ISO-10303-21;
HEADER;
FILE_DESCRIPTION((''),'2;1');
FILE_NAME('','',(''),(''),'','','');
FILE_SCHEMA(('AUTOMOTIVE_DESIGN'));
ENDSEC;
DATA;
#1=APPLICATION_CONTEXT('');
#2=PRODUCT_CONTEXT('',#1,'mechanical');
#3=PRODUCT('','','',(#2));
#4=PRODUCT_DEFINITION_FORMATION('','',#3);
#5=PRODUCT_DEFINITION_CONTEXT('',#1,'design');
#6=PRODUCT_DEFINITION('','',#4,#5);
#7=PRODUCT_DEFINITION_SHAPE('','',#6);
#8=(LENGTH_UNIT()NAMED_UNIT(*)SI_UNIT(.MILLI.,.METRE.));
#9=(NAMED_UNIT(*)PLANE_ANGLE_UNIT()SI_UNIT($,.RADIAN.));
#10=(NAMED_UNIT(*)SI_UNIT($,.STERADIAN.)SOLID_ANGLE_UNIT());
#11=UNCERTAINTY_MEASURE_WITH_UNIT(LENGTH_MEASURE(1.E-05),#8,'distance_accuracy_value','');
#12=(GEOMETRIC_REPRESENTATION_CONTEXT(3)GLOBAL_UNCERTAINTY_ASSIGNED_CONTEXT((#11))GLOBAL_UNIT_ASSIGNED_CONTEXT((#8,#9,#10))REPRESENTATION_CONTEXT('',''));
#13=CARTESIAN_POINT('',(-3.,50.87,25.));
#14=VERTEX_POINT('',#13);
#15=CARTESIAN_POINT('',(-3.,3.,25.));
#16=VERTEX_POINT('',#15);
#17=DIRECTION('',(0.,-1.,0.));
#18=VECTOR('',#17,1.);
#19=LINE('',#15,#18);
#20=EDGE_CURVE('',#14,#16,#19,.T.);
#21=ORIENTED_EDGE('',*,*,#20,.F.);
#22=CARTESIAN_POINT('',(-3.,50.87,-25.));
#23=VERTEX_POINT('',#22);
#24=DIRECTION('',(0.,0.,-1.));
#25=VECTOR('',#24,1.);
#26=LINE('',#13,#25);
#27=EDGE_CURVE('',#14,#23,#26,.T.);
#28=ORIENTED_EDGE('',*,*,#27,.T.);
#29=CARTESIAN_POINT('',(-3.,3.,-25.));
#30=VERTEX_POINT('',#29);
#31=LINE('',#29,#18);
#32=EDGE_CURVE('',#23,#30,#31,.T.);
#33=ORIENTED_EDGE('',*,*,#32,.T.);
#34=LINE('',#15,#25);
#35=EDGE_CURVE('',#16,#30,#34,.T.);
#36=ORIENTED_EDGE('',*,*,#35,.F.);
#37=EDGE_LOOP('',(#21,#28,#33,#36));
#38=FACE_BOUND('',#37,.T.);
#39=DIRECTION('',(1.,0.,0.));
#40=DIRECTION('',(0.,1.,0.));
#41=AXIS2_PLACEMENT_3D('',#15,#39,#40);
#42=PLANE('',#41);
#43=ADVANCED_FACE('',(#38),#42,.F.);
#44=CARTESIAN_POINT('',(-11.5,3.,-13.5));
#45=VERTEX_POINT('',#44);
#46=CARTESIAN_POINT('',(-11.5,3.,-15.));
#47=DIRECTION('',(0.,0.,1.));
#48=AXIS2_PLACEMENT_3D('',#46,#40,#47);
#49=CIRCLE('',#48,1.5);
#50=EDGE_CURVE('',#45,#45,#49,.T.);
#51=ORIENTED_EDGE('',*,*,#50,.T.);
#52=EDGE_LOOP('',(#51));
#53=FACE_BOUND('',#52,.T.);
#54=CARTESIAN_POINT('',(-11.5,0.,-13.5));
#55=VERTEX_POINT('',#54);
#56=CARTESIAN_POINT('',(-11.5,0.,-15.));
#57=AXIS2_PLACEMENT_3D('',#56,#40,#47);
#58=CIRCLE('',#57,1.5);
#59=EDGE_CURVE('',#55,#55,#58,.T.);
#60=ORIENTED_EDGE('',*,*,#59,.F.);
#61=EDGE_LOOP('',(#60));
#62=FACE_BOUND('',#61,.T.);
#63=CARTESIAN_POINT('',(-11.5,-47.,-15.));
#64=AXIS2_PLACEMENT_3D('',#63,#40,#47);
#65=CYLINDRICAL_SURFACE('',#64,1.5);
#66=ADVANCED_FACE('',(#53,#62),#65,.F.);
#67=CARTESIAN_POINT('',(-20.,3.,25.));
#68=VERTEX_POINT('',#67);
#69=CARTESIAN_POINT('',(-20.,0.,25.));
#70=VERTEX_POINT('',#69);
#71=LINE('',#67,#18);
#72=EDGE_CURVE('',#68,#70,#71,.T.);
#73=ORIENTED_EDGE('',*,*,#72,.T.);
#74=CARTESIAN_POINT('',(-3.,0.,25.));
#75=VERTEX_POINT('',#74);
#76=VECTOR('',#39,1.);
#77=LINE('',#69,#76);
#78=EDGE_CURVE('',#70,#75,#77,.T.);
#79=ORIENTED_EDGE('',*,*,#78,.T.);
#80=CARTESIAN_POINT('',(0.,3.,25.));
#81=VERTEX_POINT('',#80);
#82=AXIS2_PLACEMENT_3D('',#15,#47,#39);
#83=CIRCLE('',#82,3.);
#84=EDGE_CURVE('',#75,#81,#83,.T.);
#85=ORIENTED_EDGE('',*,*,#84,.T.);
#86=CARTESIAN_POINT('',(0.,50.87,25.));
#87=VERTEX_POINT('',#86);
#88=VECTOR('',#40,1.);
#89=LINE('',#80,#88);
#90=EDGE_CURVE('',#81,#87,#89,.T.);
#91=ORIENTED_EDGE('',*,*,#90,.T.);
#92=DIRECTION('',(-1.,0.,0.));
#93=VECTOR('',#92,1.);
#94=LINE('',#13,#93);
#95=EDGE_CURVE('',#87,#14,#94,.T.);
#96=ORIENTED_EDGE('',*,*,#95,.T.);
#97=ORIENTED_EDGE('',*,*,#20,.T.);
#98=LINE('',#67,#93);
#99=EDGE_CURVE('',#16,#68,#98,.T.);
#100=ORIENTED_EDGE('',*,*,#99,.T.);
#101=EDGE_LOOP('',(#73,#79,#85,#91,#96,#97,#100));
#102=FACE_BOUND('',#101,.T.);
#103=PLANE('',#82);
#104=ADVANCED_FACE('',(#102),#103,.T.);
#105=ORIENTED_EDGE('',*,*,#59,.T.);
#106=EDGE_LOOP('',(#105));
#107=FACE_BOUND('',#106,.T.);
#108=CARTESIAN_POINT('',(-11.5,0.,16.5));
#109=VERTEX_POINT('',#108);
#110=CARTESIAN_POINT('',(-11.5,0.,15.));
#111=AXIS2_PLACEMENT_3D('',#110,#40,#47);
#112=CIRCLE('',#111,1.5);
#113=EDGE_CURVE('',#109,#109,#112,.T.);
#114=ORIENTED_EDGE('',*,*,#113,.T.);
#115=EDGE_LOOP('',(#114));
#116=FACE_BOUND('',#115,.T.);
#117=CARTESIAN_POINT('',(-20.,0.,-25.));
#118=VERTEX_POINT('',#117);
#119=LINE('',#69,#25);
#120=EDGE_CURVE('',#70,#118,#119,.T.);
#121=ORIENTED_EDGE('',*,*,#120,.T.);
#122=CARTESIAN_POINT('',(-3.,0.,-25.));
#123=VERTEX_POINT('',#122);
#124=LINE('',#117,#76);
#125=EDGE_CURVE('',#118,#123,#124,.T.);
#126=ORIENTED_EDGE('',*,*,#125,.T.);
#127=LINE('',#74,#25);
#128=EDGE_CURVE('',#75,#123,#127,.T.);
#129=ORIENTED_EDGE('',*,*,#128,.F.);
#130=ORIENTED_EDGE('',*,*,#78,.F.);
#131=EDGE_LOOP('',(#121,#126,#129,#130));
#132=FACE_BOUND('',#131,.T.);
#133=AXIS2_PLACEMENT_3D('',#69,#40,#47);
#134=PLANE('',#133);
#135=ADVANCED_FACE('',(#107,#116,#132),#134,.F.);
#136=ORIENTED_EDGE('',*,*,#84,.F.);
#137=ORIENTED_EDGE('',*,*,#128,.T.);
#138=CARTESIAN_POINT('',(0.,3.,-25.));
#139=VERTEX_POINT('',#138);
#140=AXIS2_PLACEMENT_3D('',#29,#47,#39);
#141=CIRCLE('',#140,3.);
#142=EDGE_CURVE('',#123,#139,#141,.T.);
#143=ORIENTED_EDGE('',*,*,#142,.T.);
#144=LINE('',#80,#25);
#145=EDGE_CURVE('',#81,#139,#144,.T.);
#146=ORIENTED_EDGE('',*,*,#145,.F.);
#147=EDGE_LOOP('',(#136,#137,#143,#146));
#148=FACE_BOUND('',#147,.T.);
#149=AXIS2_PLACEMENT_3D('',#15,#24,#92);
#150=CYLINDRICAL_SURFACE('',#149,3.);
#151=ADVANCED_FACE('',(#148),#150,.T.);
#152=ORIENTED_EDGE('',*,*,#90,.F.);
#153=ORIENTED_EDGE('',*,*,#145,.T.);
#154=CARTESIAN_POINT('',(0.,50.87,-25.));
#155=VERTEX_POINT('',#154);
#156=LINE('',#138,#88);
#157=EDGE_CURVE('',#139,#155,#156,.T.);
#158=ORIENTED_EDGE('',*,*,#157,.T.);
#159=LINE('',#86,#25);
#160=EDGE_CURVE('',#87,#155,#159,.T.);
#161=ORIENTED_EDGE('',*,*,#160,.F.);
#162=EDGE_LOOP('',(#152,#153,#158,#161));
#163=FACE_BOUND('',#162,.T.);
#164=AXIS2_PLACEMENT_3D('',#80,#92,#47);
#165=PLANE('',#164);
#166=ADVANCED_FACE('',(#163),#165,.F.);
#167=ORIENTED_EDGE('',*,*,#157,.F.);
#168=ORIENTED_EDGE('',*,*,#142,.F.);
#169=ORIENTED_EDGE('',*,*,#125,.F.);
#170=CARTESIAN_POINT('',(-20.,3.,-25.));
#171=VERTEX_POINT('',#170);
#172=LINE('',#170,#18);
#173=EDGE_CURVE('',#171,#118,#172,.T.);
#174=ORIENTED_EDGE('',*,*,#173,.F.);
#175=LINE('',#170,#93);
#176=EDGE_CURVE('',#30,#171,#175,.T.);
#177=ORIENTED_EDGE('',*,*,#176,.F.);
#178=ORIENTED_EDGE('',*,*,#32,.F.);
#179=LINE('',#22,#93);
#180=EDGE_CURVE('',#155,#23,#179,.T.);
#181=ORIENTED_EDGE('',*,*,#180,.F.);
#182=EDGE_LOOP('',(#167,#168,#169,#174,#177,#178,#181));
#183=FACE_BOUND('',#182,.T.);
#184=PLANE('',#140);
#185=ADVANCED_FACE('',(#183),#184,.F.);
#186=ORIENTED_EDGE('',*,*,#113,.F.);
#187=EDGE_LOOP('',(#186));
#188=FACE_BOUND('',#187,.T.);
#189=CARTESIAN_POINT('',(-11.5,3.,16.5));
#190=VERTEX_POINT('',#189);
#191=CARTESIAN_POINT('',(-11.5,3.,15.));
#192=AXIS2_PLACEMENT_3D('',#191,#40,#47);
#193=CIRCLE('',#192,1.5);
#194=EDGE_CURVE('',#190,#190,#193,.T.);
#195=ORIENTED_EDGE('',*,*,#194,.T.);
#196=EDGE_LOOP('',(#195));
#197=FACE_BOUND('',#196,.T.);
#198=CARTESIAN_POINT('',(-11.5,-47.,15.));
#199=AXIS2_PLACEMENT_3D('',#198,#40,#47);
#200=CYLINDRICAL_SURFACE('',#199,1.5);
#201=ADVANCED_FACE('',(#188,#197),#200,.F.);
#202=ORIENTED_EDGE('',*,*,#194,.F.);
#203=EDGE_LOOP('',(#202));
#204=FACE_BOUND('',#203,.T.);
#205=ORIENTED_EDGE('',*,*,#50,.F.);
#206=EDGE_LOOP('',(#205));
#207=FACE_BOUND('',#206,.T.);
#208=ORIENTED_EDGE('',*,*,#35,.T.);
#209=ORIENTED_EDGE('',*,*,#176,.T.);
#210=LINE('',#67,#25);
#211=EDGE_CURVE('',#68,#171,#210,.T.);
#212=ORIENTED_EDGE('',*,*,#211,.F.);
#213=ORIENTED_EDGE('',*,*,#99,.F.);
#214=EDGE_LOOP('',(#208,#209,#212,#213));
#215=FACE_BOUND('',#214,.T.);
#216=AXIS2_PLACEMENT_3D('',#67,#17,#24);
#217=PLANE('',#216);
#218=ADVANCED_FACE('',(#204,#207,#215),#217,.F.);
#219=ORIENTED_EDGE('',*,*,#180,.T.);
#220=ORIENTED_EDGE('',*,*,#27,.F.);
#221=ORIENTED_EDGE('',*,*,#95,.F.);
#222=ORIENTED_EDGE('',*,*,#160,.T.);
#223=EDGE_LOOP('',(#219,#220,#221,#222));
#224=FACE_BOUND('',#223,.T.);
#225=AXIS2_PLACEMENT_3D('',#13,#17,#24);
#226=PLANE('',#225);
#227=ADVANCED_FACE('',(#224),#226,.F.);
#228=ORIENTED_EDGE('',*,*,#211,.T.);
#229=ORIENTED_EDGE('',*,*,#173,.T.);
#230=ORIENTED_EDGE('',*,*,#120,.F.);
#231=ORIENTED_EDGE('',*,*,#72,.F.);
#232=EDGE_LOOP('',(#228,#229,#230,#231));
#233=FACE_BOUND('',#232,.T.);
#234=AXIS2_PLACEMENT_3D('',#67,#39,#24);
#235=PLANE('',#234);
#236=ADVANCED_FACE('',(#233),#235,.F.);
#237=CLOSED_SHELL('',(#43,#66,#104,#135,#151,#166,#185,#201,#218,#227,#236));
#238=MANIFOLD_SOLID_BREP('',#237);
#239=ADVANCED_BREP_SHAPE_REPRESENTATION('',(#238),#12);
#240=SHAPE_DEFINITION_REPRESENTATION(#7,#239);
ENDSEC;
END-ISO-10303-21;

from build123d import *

# Parameters (mm, degrees)
BOSS_EXTRU_1_DEPTH      = 25
ESQUISSE2_R             = 1.5
ENL_V_MAT_EXTRU_1_DEPTH = 50


with BuildPart() as part:
    # Esquisse1 → Boss.-Extru.1 (new, symmetric)
    with BuildSketch(Plane.XY):
        with BuildLine():
            Line((-20, 0), (-3, 0))
            ThreePointArc((-3, 0), (-0.878679656, 0.878679656), (0, 3))
            Line((0, 3), (0, 50.87))
            Line((0, 50.87), (-3, 50.87))
            Line((-3, 50.87), (-3, 3))
            Line((-3, 3), (-20, 3))
            Line((-20, 3), (-20, 0))
        make_face()
    extrude(amount=BOSS_EXTRU_1_DEPTH, both=True)

    # Esquisse2 → Enlèv. mat.-Extru.1 (cut)
    with BuildSketch(Plane(origin=(0, 3, 0), x_dir=(1, 0, 0), z_dir=(0, 1, 0))):
        with Locations(Location((-11.5, 15, 0), (0, 0, 270))):
            Circle(ESQUISSE2_R)
        with Locations(Location((-11.5, -15, 0), (0, 0, 270))):
            Circle(ESQUISSE2_R)
    extrude(amount=-ENL_V_MAT_EXTRU_1_DEPTH, mode=Mode.SUBTRACT)


solid = part.part
